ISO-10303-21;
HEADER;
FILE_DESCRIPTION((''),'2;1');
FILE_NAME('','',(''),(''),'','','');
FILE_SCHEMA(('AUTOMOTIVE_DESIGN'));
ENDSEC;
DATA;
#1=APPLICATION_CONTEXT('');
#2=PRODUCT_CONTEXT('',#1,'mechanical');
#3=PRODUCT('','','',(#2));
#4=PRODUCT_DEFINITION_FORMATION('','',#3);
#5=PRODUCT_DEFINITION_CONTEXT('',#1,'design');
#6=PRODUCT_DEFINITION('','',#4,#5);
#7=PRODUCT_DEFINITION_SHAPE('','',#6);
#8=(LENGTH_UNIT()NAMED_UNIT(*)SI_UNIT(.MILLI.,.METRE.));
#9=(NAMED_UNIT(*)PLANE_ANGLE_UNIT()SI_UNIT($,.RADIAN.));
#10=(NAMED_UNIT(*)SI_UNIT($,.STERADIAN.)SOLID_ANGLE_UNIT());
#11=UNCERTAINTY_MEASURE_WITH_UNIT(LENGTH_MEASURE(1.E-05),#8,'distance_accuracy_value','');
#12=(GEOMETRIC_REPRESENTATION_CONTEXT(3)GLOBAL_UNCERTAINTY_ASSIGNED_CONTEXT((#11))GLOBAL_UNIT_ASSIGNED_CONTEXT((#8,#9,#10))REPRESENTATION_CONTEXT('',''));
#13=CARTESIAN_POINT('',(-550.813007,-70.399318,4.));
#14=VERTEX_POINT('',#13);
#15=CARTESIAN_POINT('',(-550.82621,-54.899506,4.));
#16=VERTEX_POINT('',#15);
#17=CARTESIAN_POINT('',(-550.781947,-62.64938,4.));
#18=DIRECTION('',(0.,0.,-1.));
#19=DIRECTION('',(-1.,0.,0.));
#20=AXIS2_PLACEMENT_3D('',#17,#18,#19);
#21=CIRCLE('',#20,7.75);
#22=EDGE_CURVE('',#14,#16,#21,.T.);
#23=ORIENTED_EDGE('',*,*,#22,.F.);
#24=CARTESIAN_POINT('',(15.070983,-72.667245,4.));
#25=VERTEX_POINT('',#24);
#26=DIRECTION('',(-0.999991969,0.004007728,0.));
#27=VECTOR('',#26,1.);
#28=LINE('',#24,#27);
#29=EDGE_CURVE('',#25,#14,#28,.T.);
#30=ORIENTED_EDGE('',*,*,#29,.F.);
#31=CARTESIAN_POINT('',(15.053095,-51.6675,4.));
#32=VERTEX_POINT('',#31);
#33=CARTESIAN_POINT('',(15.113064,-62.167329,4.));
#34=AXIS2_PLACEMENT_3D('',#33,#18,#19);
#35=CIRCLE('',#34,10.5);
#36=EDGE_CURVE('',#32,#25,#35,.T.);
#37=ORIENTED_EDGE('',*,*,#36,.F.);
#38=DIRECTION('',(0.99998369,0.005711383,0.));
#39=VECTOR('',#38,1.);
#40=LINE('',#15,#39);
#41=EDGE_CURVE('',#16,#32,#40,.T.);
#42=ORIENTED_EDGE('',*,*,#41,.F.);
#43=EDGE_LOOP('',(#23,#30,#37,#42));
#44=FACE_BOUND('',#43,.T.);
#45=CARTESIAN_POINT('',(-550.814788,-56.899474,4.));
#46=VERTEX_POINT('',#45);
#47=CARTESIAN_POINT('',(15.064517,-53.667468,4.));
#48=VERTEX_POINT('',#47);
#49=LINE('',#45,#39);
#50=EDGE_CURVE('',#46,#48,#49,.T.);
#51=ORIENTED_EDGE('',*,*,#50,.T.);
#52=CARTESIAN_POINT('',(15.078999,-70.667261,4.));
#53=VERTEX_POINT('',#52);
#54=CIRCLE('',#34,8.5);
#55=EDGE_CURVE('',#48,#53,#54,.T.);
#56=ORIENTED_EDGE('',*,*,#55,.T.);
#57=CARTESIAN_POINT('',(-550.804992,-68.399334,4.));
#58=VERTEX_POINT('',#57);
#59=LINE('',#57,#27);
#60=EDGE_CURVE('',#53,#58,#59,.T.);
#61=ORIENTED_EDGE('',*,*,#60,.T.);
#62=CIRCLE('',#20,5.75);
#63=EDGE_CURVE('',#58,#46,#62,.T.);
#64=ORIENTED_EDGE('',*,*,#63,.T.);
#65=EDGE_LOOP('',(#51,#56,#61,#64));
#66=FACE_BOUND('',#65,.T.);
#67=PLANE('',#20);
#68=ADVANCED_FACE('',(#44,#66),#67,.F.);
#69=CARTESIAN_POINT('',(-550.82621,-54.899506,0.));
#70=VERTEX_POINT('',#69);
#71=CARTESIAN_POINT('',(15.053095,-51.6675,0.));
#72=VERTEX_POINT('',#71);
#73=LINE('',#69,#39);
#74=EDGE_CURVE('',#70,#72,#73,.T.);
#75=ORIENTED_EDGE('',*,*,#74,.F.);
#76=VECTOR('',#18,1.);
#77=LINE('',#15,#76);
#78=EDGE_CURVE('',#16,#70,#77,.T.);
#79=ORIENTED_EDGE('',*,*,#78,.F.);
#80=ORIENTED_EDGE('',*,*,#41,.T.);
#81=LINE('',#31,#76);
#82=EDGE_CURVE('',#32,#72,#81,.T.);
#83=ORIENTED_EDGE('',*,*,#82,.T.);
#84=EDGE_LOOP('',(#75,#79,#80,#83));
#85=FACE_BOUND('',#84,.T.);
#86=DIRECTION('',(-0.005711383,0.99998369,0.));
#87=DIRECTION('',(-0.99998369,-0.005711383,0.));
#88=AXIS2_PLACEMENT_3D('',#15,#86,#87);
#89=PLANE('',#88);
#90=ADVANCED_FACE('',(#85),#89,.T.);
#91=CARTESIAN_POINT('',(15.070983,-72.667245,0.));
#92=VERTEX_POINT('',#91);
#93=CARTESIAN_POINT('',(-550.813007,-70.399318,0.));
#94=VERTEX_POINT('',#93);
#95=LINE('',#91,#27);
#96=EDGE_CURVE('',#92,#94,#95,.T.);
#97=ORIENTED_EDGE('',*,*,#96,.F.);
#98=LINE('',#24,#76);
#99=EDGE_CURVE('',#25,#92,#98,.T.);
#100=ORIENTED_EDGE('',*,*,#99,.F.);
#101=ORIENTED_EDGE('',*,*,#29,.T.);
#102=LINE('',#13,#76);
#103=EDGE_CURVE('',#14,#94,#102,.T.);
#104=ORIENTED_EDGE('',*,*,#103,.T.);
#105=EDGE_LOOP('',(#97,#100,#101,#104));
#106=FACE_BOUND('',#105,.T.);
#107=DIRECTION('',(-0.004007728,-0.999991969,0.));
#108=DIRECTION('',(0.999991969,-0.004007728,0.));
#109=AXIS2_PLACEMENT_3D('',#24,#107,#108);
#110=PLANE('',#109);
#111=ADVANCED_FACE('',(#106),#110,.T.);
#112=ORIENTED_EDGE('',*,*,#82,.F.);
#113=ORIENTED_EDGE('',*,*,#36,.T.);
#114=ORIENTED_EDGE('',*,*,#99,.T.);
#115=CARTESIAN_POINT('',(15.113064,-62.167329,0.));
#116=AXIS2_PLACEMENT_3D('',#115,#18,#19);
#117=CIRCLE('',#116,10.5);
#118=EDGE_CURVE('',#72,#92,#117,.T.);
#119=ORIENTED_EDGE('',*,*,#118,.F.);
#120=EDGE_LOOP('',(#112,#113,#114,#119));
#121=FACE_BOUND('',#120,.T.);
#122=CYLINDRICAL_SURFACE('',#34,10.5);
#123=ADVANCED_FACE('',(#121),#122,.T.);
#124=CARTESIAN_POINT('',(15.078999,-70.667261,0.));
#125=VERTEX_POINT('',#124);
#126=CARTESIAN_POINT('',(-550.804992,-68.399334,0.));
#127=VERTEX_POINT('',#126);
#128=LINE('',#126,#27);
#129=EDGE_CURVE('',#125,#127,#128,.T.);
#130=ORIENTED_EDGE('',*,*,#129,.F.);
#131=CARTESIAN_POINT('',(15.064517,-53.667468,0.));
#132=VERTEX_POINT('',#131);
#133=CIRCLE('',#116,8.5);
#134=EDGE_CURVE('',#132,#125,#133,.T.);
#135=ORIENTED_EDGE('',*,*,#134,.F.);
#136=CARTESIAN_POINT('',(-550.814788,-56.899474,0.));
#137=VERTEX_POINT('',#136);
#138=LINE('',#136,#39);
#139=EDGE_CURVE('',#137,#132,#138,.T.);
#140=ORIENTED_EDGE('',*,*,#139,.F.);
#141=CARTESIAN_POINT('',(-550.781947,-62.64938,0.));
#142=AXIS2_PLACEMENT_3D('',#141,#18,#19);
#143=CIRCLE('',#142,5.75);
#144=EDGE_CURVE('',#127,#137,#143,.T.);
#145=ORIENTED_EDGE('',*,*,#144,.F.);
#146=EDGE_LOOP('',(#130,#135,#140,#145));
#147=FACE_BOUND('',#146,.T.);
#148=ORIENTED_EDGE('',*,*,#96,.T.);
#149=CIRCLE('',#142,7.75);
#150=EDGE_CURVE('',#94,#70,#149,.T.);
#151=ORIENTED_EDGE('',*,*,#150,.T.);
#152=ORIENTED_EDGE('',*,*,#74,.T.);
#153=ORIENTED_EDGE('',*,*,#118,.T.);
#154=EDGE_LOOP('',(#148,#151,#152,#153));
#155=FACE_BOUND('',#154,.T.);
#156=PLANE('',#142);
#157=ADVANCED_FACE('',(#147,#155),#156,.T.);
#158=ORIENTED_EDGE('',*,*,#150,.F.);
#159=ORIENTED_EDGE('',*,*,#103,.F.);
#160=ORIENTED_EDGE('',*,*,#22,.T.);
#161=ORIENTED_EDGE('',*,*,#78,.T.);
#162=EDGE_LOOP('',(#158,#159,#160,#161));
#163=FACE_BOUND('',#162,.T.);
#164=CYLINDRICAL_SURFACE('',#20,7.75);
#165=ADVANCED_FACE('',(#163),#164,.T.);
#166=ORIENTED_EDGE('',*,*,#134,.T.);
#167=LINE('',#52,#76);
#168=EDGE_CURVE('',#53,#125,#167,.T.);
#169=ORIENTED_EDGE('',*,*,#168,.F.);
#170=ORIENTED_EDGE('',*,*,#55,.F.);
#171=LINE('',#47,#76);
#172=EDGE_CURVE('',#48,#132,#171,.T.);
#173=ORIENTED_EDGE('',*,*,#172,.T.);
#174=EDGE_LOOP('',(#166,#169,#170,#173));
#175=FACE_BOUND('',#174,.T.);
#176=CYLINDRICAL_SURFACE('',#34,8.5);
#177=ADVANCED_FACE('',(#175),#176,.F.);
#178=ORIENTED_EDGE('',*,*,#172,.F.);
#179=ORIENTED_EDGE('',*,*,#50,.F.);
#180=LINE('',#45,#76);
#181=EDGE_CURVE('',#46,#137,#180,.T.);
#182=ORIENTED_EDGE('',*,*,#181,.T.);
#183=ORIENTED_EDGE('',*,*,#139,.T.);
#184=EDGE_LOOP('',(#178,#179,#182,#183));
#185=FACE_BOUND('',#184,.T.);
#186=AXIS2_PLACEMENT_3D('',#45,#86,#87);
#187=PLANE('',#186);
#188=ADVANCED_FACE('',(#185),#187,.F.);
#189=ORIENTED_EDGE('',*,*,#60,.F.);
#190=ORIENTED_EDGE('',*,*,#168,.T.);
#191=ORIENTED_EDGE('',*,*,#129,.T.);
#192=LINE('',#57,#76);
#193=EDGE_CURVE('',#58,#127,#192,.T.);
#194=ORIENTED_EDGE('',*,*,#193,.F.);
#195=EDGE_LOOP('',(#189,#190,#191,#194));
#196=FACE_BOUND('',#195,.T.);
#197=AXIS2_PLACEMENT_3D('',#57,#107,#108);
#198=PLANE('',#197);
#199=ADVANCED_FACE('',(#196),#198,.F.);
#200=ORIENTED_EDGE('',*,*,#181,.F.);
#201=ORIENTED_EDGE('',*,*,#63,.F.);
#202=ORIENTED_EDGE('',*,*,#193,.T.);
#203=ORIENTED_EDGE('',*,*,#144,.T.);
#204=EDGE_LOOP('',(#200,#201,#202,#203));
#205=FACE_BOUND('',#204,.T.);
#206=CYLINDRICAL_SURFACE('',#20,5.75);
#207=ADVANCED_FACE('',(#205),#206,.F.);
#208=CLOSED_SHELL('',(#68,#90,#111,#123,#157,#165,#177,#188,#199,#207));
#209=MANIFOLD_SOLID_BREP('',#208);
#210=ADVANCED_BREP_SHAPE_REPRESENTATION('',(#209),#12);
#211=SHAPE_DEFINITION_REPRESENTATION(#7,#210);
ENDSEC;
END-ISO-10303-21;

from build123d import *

# Parameters (mm, degrees)
EXTRUDE_THIN1_DEPTH = 4


with BuildPart() as part:
    # Sketch2 → Extrude-Thin1 (new body)
    with BuildSketch(Plane.XY):
        with BuildLine():
            Line((-550.826210376, -54.899506236), (15.053094671, -51.667500281))
            ThreePointArc((15.053094671, -51.667500281), (25.613060379, -62.158384731), (15.070983049, -72.6672447))
            Line((15.070983049, -72.6672447), (-550.81300705, -70.399317593))
            ThreePointArc((-550.81300705, -70.399317593), (-558.531944349, -62.655981574), (-550.826210376, -54.899506236))
        make_face()
        with BuildLine():
            Line((-550.814787611, -56.899473616), (15.064517436, -53.667467661))
            ThreePointArc((15.064517436, -53.667467661), (23.613061105, -62.160088406), (15.078998504, -70.667260762))
            Line((15.078998504, -70.667260762), (-550.804991594, -68.399333655))
            ThreePointArc((-550.804991594, -68.399333655), (-556.531945074, -62.654277899), (-550.814787611, -56.899473616))
        make_face(mode=Mode.SUBTRACT)
    extrude(amount=EXTRUDE_THIN1_DEPTH)


solid = part.part
